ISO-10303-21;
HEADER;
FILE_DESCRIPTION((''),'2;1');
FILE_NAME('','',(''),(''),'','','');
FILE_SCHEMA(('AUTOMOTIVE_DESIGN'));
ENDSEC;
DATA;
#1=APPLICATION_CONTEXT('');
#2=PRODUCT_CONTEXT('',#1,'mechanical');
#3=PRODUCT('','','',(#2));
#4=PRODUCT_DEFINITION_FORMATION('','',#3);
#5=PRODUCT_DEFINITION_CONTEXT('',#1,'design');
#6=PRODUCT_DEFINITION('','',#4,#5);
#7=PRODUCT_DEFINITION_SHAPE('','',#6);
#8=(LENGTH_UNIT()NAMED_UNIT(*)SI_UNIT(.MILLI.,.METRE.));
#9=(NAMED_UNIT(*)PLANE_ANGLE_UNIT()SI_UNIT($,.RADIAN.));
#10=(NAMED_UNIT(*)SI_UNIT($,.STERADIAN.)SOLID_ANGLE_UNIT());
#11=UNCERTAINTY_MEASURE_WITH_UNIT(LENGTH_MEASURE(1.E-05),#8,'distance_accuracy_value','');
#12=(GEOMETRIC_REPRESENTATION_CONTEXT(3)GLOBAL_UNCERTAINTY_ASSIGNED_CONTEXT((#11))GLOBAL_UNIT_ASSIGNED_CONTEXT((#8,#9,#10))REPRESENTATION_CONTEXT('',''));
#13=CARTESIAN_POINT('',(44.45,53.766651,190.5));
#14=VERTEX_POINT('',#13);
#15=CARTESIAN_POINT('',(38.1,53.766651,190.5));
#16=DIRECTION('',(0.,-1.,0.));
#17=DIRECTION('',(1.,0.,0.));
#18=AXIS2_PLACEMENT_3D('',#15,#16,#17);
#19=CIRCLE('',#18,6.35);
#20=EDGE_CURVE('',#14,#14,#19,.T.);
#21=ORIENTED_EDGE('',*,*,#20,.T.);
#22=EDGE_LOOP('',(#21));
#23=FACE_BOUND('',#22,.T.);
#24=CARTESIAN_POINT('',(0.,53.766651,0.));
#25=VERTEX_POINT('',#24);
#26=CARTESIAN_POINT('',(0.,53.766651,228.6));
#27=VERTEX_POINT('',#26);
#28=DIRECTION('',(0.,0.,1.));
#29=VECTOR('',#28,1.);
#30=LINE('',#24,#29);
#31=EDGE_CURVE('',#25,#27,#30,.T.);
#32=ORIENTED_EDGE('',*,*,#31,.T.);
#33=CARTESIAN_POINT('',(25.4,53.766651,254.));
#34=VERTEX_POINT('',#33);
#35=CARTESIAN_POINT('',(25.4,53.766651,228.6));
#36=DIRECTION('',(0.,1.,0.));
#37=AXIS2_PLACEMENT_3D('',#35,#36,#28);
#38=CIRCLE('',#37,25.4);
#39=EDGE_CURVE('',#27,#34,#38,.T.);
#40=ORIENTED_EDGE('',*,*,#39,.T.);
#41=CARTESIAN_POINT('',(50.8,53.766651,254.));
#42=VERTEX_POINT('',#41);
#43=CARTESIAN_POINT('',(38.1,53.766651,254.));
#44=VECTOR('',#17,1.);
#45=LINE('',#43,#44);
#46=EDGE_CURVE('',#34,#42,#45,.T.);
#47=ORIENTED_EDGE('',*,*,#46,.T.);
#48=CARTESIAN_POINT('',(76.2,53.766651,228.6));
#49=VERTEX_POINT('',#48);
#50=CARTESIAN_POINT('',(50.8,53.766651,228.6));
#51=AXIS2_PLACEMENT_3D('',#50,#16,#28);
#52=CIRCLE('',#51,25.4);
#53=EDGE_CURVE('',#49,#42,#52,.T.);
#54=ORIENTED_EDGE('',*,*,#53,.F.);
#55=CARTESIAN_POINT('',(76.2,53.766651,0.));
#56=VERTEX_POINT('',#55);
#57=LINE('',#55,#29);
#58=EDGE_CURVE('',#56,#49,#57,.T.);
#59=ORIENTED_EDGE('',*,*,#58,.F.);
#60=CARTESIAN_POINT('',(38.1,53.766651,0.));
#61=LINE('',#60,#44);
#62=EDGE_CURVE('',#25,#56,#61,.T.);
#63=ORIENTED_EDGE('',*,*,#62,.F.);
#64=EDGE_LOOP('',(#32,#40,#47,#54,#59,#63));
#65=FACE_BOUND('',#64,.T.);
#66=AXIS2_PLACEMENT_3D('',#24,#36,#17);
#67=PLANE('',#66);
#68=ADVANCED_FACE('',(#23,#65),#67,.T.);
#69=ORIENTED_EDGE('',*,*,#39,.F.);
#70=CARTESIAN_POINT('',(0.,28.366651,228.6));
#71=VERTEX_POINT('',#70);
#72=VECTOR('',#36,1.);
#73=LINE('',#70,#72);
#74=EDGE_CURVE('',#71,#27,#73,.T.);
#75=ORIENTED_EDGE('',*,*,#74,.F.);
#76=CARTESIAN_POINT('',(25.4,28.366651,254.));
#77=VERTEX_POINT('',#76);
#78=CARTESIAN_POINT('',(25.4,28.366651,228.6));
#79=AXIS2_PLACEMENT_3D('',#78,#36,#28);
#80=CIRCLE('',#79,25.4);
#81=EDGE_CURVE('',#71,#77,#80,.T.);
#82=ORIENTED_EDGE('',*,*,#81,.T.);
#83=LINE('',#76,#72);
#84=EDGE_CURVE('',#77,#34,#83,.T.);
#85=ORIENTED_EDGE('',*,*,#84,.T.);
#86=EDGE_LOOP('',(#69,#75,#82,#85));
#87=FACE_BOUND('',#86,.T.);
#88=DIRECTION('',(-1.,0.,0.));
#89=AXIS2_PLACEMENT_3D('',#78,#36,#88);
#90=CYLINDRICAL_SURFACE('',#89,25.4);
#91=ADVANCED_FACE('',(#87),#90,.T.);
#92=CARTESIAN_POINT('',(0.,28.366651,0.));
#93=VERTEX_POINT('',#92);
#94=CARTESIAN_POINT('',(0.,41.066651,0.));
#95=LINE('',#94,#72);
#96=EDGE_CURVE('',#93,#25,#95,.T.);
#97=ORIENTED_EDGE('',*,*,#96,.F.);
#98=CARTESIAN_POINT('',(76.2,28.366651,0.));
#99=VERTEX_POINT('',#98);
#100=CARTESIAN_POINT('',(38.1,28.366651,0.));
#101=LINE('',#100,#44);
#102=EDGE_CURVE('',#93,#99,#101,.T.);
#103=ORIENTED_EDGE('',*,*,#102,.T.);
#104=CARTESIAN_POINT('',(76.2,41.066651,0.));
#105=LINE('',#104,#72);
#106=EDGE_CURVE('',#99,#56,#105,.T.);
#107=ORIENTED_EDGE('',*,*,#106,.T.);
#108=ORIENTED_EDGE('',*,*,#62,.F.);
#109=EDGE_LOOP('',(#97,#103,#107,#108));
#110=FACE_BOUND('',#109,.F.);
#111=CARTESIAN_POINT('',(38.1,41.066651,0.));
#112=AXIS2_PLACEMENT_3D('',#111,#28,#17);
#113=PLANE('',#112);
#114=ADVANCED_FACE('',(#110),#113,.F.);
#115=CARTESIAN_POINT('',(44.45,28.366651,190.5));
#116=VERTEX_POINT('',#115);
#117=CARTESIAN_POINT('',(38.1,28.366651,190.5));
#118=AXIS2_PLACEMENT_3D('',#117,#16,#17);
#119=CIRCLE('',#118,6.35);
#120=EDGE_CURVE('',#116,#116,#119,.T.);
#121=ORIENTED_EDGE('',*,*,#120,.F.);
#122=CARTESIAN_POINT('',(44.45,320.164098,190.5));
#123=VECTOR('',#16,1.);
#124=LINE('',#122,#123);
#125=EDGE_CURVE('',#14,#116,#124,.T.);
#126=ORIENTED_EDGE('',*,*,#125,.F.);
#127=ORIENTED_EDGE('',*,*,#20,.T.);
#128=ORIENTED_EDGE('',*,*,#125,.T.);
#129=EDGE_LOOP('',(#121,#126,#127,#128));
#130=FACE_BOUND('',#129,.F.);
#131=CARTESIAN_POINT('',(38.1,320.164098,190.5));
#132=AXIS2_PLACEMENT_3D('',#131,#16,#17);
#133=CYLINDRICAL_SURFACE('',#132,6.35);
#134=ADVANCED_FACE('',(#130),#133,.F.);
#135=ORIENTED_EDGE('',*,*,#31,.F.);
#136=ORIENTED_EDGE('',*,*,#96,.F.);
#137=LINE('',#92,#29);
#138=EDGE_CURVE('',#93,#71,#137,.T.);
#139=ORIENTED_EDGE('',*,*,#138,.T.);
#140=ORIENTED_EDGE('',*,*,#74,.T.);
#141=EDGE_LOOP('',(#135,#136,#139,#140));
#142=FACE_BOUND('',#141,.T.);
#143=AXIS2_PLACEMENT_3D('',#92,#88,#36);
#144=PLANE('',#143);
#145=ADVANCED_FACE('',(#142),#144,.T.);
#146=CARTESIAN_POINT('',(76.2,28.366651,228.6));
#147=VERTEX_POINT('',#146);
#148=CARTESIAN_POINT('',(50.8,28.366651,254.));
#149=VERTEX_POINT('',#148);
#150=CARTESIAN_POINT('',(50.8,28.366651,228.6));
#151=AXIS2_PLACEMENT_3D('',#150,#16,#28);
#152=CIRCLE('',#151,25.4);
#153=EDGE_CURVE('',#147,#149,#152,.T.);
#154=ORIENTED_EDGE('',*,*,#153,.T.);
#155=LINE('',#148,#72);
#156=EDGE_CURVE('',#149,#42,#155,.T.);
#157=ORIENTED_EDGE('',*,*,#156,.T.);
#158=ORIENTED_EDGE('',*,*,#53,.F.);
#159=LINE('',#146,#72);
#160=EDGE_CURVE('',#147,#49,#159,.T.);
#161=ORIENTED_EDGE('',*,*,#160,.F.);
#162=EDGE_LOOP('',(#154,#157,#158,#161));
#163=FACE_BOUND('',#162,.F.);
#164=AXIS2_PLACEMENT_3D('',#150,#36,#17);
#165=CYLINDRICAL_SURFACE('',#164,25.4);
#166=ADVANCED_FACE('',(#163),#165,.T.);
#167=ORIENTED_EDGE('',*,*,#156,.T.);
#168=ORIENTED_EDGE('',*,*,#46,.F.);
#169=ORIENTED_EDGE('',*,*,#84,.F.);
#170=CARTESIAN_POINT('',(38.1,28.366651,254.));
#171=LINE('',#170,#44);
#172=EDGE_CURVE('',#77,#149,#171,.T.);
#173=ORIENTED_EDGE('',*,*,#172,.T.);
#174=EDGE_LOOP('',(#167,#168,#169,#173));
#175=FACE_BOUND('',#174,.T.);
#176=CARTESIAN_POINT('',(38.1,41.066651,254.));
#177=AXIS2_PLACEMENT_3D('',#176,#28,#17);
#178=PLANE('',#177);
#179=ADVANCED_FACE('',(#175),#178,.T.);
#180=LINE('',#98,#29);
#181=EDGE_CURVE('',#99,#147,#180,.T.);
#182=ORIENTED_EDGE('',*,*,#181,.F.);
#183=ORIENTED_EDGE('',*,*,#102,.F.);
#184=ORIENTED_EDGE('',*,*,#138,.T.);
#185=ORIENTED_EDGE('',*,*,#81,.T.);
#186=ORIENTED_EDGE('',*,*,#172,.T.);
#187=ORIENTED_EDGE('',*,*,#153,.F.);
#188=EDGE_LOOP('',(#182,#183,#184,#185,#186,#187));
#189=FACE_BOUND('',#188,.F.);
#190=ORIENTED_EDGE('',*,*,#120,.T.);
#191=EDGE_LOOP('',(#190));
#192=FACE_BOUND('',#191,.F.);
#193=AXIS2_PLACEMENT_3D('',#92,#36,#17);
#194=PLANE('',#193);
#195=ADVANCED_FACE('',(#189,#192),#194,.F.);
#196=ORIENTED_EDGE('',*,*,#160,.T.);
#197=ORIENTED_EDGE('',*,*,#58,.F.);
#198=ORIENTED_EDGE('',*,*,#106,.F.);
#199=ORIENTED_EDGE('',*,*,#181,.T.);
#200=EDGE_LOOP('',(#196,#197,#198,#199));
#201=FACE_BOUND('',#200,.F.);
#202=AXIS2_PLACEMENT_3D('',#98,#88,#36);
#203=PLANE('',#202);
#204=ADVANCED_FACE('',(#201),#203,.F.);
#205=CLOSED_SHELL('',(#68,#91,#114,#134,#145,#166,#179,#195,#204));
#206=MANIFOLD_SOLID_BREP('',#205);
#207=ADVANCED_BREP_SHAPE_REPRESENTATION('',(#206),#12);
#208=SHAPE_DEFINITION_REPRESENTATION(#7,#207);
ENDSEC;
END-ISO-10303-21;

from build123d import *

# Parameters (mm, degrees)
F0_W     = 76.2
F0_H     = 25.4
F1_DEPTH = 254
F2_R     = 25.4
F4_D     = 12.7


with BuildPart() as f1:
    # F0 (on Top) → F1 (new body)
    with BuildSketch(Plane.XY):
        with Locations((38.1, 41.066651)):
            Rectangle(F0_W, F0_H)
    extrude(amount=F1_DEPTH)

    # F2
    f2_edges = [f1.edges().sort_by_distance(p)[0] for p in [
        (0, 41.066651, 254),
        (76.2, 41.066651, 254),
    ]]
    fillet(f2_edges, radius=F2_R)

    # F4 (through all)
    with Locations(Plane(origin=(0, 53.766651, 0), x_dir=(-1, 0, 0), z_dir=(0, 1, 0))):
        with Locations((-38.1, 190.5)):
            Hole(F4_D / 2)


solid = f1.part
